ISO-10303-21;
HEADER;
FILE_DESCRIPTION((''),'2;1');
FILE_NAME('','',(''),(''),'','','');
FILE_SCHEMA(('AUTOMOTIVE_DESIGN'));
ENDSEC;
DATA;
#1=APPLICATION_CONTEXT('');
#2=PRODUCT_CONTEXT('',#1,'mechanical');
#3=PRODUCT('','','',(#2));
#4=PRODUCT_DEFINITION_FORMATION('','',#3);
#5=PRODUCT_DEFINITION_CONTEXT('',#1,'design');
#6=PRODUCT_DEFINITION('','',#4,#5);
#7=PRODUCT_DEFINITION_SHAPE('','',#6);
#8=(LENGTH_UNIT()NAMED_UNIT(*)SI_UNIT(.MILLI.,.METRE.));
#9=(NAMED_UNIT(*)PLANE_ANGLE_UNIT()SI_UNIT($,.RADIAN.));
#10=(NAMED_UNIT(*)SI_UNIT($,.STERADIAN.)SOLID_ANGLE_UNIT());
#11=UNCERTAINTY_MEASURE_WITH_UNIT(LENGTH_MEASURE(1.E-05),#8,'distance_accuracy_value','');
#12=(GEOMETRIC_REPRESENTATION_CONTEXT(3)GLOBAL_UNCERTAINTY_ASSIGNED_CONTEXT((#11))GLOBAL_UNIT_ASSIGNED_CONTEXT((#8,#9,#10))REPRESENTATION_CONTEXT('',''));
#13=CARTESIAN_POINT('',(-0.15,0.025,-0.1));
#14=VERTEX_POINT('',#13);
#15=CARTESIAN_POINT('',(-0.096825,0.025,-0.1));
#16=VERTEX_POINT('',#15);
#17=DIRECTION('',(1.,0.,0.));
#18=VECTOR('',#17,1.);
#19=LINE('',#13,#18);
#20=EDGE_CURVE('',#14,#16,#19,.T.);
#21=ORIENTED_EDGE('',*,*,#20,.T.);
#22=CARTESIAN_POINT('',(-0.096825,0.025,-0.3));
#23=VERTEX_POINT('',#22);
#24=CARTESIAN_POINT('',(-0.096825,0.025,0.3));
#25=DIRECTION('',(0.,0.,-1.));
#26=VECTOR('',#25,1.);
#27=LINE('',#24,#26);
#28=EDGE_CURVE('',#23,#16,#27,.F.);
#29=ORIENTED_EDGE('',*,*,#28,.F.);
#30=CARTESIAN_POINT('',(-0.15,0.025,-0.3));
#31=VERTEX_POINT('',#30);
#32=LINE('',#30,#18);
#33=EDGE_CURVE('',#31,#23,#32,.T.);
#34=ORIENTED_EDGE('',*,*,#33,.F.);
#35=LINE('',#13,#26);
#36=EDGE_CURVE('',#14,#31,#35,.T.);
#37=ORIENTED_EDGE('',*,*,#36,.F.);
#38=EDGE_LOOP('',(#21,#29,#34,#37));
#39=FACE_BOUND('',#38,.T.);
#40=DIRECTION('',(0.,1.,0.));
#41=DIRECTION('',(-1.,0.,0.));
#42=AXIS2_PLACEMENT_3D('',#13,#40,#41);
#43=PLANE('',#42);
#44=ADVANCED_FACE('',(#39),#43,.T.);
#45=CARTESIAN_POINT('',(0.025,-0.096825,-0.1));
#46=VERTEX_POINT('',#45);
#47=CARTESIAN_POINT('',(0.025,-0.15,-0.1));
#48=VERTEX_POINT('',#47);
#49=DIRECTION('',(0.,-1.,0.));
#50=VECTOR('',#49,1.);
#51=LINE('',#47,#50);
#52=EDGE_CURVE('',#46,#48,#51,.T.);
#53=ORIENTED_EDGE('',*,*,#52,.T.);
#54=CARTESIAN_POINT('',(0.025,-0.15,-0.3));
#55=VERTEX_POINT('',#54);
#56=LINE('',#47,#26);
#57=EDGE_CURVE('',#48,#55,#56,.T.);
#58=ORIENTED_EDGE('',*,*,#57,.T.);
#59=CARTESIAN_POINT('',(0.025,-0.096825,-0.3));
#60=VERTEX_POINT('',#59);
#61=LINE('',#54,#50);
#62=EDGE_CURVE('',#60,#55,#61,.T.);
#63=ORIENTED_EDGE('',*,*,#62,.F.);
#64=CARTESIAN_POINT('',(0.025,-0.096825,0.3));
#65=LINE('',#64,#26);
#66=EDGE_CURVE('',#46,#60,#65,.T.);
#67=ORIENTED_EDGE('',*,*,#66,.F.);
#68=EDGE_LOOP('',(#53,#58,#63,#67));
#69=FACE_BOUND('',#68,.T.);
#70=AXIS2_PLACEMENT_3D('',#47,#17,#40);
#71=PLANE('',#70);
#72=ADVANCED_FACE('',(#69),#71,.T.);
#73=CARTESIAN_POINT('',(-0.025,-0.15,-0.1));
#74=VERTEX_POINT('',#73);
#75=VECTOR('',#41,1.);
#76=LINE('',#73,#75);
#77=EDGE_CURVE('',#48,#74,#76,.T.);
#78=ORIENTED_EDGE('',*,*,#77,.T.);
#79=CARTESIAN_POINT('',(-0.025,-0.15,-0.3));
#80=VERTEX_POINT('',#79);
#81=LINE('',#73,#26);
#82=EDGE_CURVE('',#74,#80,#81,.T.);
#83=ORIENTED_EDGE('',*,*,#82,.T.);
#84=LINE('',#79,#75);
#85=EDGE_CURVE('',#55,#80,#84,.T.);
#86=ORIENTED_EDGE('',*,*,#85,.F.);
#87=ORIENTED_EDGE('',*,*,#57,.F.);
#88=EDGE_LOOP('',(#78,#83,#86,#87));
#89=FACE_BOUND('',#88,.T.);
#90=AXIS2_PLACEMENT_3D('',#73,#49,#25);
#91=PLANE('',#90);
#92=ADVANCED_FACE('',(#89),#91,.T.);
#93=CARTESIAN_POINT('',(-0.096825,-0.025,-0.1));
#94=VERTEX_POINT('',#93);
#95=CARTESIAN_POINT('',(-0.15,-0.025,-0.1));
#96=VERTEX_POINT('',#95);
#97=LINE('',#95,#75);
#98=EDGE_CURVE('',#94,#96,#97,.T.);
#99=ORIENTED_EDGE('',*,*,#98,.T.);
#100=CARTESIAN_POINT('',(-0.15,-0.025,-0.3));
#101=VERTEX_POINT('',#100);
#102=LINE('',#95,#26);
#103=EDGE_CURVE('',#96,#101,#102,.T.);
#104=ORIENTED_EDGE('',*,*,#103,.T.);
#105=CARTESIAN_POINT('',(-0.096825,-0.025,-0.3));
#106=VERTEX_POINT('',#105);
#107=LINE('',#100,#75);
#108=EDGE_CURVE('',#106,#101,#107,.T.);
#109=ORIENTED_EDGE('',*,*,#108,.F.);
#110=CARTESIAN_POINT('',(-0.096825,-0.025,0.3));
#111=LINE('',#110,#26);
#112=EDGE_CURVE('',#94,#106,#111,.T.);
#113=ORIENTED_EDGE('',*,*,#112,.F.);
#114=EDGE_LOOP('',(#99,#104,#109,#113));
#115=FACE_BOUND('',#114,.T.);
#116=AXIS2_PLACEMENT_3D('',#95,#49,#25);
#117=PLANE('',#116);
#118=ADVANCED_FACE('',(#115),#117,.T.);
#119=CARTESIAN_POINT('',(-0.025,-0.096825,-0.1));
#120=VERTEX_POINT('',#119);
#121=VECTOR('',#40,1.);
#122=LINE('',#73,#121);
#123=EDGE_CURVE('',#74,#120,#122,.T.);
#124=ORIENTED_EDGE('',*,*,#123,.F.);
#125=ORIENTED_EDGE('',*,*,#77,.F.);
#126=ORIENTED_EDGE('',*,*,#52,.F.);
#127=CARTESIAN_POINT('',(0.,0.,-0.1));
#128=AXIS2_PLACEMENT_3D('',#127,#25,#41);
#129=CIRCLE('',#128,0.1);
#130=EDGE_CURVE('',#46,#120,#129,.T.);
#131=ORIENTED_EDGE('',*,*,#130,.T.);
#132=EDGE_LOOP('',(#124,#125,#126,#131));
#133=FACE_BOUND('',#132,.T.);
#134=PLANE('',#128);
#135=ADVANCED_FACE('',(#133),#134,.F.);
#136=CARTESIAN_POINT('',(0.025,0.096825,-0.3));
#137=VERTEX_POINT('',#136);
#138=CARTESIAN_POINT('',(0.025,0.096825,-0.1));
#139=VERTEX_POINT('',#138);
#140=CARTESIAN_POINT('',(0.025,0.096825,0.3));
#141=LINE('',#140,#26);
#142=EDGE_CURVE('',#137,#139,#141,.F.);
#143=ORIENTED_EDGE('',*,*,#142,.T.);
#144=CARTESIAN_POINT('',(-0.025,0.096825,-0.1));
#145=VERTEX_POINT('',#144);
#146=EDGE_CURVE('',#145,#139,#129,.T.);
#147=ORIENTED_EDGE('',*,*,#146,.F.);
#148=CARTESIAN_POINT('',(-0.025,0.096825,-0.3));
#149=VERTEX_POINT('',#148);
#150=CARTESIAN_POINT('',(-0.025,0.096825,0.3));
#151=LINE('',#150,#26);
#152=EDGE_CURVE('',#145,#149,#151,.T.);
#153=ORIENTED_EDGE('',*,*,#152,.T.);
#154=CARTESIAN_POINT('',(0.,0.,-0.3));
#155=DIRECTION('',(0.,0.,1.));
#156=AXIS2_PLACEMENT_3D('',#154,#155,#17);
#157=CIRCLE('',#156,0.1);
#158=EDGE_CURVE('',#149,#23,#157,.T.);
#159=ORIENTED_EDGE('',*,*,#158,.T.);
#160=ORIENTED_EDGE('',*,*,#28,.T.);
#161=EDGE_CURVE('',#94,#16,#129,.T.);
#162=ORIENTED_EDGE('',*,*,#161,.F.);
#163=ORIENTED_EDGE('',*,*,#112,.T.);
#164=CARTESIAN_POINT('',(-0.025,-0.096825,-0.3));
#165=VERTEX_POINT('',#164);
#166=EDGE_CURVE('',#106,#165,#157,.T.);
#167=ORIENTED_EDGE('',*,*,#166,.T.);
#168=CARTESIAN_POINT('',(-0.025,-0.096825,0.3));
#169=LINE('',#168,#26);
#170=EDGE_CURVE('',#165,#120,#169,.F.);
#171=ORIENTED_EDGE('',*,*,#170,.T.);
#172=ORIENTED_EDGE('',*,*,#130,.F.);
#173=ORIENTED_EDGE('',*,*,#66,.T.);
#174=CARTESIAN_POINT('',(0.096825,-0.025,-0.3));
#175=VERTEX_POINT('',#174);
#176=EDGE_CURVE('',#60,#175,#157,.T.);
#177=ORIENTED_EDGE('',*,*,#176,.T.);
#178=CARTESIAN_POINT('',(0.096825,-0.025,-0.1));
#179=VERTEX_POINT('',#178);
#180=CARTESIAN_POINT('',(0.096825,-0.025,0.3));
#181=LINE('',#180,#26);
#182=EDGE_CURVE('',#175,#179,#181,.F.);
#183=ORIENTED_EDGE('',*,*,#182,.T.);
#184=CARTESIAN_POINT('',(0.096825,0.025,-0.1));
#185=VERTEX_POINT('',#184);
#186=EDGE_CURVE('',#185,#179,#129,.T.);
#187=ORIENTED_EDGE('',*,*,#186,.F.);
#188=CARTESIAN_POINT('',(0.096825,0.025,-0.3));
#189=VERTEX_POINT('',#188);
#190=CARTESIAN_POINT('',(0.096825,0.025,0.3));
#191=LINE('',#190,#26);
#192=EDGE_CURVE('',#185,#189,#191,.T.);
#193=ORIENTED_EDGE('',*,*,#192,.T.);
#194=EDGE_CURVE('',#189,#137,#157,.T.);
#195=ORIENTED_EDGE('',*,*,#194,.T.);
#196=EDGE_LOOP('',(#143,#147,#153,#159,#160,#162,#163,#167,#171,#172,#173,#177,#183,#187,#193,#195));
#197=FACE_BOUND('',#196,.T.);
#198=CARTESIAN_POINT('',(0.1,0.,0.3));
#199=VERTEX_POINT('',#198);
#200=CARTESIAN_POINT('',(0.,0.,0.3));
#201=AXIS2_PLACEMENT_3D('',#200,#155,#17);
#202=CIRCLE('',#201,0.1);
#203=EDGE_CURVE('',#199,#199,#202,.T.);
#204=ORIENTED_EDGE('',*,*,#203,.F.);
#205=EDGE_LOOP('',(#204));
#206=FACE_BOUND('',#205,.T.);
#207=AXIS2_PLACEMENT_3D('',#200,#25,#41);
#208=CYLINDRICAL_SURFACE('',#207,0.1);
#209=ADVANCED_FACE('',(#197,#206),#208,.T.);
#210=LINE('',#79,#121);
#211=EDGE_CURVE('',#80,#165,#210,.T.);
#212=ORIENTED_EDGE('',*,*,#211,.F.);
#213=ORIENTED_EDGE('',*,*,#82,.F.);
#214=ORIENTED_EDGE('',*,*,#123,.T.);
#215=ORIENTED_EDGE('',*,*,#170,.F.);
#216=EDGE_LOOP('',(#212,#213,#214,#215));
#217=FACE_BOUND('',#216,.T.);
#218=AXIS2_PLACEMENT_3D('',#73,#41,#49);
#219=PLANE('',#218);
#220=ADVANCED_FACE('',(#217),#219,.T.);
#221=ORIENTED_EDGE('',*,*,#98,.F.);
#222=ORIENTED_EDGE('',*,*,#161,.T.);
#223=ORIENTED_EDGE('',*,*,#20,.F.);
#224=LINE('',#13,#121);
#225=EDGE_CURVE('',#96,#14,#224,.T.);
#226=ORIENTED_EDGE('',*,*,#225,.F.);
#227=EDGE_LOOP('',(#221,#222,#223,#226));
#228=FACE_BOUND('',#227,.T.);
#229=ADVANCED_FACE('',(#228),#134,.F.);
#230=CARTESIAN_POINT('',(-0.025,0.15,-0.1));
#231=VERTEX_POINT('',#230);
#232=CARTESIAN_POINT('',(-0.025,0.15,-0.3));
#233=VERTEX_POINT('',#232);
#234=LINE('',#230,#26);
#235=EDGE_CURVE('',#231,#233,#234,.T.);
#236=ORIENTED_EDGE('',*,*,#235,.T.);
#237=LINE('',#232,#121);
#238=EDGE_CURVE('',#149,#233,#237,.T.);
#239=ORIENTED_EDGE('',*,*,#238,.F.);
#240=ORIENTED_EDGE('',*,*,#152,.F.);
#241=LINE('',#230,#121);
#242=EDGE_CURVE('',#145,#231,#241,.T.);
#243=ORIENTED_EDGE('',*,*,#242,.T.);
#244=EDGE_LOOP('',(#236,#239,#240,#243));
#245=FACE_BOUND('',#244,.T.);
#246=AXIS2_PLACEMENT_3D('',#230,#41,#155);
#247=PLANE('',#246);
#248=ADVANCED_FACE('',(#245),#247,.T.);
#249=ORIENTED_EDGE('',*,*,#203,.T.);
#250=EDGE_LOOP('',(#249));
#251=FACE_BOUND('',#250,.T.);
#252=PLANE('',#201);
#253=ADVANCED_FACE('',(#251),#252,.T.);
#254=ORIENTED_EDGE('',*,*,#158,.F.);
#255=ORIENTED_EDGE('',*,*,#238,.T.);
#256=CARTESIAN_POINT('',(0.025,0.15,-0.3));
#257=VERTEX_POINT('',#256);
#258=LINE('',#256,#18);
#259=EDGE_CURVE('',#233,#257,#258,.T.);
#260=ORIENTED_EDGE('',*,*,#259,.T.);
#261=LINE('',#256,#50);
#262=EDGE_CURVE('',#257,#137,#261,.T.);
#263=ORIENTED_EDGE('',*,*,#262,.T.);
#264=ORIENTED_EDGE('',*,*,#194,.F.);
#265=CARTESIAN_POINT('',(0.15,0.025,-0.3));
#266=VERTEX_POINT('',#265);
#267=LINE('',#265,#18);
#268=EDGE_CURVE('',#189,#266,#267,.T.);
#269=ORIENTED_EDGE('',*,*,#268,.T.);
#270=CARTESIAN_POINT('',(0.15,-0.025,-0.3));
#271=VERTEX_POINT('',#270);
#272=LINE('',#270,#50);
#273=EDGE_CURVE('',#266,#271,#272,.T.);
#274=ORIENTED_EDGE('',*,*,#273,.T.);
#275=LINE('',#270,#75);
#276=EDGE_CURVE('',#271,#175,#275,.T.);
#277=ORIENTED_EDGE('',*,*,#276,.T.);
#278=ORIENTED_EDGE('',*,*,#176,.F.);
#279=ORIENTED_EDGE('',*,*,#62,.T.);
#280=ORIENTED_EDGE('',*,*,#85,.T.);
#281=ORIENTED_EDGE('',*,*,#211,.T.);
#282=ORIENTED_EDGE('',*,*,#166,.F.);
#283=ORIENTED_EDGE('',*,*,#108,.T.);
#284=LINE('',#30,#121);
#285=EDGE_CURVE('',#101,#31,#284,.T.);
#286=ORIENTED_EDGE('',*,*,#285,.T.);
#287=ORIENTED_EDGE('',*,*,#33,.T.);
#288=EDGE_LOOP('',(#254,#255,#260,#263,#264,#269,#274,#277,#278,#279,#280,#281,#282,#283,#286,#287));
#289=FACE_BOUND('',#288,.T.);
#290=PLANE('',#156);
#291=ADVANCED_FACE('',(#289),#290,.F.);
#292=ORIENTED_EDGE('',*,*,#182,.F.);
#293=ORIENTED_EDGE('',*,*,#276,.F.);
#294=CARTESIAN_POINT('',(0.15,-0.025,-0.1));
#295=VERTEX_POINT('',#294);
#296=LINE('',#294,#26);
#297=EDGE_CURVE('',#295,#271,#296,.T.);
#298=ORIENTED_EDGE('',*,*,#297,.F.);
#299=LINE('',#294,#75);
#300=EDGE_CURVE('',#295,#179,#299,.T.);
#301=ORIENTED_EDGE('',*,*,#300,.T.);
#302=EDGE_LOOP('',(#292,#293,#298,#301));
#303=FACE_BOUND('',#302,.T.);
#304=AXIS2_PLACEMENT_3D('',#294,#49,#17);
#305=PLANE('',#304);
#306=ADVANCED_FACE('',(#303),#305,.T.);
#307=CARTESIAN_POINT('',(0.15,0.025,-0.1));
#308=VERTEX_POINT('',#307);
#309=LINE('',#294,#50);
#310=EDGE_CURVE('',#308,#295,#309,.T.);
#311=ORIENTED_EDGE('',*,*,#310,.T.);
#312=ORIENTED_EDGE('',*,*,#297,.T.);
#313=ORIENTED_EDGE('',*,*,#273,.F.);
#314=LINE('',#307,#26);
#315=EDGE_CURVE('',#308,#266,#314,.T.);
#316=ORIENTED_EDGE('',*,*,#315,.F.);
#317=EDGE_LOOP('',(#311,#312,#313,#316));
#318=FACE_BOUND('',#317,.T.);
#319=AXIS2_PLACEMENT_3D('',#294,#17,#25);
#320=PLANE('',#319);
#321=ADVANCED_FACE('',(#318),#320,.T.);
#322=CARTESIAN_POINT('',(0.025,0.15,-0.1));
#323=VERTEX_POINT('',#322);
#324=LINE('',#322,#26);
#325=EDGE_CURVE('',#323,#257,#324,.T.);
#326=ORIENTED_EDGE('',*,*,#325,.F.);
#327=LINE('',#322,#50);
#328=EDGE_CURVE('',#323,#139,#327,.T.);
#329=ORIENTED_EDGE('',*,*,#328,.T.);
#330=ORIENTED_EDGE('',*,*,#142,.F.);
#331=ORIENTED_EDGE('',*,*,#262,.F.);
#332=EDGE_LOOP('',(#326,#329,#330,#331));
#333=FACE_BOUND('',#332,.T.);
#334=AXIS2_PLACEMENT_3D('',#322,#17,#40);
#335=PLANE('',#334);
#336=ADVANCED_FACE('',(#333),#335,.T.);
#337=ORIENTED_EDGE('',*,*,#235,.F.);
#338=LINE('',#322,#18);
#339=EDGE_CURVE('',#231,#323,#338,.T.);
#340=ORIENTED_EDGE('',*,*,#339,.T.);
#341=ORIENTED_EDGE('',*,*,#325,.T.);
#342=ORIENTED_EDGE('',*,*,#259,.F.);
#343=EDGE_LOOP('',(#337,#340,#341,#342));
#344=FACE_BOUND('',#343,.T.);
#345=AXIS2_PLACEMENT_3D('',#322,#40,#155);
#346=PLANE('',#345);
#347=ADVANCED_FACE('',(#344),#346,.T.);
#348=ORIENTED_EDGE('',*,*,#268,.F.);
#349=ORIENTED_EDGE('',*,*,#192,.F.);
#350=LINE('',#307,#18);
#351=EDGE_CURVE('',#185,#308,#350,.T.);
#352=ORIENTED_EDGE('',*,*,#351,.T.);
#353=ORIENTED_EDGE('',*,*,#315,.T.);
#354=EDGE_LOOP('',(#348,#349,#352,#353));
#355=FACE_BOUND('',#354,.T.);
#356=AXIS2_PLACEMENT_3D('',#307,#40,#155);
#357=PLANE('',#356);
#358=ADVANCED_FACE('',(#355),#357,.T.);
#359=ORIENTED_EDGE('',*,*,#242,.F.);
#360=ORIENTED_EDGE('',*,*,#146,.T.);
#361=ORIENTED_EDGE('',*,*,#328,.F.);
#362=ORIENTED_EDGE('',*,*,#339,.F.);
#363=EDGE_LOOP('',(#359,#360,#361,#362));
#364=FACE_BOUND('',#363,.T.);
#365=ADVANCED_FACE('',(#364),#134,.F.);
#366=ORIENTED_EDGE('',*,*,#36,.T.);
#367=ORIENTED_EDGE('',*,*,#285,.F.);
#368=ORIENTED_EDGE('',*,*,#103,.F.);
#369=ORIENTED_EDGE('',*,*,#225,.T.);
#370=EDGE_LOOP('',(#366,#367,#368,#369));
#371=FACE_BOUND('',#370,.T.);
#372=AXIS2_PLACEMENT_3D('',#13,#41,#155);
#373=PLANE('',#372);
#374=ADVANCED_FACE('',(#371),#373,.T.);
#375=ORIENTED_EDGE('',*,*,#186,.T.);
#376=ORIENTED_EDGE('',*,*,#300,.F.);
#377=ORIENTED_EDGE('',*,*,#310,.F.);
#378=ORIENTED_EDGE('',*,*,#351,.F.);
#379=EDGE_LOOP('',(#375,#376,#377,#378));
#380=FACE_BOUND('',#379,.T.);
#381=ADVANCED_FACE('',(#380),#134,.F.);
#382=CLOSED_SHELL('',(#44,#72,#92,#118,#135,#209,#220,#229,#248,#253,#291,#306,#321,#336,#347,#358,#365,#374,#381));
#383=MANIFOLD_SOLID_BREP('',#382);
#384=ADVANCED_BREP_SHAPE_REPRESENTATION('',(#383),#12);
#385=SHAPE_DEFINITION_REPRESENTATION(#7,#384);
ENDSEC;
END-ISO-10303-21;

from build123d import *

# Parameters (mm, degrees)
SKETCH3_R           = 0.1
BOSS_EXTRUDE1_DEPTH = 0.3
SKETCH4_W           = 0.1
SKETCH4_H           = 0.05
SKETCH4_W_2         = 0.05
SKETCH4_H_2         = 0.1
BOSS_EXTRUDE2_DEPTH = 0.2


with BuildPart() as part:
    # Sketch3 → Boss-Extrude1 (new, symmetric)
    with BuildSketch(Plane.XY):
        Circle(SKETCH3_R)
    extrude(amount=BOSS_EXTRUDE1_DEPTH, both=True)

    # Sketch4 → Boss-Extrude2 (add)
    with BuildSketch(Plane(origin=(0, 0, -0.3), x_dir=(-1, 0, 0), z_dir=(0, 0, -1))):
        with Locations((-0.1, 0)):
            Rectangle(SKETCH4_W, SKETCH4_H)
        with Locations((0, 0.1)):
            Rectangle(SKETCH4_W_2, SKETCH4_H_2)
        with Locations((0.1, 0)):
            Rectangle(SKETCH4_W, SKETCH4_H)
        with Locations((0, -0.1)):
            Rectangle(SKETCH4_W_2, SKETCH4_H_2)
    extrude(amount=-BOSS_EXTRUDE2_DEPTH)


solid = part.part
